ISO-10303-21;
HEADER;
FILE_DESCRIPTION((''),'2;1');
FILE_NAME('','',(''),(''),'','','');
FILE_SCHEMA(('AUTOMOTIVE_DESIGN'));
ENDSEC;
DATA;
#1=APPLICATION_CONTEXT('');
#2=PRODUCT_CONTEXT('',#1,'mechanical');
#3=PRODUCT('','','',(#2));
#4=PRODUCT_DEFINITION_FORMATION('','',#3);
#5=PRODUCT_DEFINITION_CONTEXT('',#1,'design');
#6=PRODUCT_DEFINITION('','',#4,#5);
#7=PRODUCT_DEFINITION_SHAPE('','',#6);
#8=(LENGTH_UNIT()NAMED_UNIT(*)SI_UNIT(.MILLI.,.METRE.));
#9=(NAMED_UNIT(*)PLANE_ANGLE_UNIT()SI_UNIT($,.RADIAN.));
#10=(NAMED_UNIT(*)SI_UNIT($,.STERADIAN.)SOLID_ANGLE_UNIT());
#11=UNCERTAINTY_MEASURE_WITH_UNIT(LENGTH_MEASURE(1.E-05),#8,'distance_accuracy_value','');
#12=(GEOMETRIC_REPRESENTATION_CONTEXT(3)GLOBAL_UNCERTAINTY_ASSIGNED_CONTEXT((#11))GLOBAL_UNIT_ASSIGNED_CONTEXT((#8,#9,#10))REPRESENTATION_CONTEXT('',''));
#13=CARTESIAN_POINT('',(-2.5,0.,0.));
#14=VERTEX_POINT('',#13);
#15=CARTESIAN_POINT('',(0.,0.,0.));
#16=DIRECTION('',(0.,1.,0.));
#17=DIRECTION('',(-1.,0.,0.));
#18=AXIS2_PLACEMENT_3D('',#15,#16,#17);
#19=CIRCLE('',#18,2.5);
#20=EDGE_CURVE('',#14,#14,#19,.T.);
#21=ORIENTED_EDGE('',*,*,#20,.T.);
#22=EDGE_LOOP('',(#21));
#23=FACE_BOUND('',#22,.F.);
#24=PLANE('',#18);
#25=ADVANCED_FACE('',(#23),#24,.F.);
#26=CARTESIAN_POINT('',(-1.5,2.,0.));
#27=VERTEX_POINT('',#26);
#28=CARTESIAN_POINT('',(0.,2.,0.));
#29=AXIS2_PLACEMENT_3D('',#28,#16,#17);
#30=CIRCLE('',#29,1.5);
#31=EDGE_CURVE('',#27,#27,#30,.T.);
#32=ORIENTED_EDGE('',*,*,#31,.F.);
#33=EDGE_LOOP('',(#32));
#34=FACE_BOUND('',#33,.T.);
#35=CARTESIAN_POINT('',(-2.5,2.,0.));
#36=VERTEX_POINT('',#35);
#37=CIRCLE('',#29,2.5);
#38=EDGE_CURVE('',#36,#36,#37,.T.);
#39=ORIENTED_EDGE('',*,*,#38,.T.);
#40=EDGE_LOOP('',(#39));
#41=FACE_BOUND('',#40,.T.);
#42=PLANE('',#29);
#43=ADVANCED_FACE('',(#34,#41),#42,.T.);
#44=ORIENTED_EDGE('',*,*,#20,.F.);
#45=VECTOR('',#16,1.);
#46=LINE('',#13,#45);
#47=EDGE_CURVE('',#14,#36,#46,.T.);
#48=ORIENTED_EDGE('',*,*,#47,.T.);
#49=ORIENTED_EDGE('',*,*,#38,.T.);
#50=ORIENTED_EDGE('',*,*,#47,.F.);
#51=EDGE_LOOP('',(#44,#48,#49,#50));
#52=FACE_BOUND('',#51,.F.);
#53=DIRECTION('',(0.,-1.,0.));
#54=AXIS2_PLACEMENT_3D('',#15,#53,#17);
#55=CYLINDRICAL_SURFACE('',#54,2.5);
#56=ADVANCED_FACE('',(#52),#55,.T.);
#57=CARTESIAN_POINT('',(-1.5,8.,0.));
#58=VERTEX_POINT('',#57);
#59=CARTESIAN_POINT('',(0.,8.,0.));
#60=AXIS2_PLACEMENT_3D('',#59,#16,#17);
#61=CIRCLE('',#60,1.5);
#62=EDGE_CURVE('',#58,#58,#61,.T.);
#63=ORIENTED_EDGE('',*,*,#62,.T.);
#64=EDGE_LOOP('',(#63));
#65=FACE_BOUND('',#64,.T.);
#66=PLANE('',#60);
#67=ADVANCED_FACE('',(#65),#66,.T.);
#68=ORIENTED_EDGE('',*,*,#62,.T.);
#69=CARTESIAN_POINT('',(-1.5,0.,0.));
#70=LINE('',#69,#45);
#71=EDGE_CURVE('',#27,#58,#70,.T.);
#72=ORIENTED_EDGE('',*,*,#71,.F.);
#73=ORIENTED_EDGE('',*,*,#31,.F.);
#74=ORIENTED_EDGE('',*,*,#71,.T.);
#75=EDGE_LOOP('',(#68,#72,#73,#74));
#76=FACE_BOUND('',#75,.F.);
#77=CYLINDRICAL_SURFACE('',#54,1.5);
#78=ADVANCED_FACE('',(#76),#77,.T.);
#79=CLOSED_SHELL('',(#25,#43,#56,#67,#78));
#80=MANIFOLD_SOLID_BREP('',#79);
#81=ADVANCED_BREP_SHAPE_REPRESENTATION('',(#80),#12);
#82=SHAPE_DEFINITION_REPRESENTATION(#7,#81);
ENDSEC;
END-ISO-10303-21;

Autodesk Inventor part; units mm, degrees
ref_plane "YZ Plane" through (0, 0, 0) normal (1, 0, 0) x (0, 1, 0)
ref_plane "XZ Plane" through (0, 0, 0) normal (0, 1, 0) x (-1, 0, 0)
ref_plane "XY Plane" through (0, 0, 0) normal (0, 0, 1) x (1, 0, 0)
sketch "Sketch1" plane through (0, 0, 0) normal (0, 1, 0) x (-1, 0, 0)
  circle A0 centre (0, 0) radius 2.5
  circle A1 centre (0, 0) radius 1.5
  dimension "d0" = 5
  dimension "d1" = 3
extrude "Extrusion1" add sketch "Sketch1" along normal blind 2
extrude "Extrusion2" add sketch "Sketch1" along normal blind 8 contours A1
properties part number "Pin"
